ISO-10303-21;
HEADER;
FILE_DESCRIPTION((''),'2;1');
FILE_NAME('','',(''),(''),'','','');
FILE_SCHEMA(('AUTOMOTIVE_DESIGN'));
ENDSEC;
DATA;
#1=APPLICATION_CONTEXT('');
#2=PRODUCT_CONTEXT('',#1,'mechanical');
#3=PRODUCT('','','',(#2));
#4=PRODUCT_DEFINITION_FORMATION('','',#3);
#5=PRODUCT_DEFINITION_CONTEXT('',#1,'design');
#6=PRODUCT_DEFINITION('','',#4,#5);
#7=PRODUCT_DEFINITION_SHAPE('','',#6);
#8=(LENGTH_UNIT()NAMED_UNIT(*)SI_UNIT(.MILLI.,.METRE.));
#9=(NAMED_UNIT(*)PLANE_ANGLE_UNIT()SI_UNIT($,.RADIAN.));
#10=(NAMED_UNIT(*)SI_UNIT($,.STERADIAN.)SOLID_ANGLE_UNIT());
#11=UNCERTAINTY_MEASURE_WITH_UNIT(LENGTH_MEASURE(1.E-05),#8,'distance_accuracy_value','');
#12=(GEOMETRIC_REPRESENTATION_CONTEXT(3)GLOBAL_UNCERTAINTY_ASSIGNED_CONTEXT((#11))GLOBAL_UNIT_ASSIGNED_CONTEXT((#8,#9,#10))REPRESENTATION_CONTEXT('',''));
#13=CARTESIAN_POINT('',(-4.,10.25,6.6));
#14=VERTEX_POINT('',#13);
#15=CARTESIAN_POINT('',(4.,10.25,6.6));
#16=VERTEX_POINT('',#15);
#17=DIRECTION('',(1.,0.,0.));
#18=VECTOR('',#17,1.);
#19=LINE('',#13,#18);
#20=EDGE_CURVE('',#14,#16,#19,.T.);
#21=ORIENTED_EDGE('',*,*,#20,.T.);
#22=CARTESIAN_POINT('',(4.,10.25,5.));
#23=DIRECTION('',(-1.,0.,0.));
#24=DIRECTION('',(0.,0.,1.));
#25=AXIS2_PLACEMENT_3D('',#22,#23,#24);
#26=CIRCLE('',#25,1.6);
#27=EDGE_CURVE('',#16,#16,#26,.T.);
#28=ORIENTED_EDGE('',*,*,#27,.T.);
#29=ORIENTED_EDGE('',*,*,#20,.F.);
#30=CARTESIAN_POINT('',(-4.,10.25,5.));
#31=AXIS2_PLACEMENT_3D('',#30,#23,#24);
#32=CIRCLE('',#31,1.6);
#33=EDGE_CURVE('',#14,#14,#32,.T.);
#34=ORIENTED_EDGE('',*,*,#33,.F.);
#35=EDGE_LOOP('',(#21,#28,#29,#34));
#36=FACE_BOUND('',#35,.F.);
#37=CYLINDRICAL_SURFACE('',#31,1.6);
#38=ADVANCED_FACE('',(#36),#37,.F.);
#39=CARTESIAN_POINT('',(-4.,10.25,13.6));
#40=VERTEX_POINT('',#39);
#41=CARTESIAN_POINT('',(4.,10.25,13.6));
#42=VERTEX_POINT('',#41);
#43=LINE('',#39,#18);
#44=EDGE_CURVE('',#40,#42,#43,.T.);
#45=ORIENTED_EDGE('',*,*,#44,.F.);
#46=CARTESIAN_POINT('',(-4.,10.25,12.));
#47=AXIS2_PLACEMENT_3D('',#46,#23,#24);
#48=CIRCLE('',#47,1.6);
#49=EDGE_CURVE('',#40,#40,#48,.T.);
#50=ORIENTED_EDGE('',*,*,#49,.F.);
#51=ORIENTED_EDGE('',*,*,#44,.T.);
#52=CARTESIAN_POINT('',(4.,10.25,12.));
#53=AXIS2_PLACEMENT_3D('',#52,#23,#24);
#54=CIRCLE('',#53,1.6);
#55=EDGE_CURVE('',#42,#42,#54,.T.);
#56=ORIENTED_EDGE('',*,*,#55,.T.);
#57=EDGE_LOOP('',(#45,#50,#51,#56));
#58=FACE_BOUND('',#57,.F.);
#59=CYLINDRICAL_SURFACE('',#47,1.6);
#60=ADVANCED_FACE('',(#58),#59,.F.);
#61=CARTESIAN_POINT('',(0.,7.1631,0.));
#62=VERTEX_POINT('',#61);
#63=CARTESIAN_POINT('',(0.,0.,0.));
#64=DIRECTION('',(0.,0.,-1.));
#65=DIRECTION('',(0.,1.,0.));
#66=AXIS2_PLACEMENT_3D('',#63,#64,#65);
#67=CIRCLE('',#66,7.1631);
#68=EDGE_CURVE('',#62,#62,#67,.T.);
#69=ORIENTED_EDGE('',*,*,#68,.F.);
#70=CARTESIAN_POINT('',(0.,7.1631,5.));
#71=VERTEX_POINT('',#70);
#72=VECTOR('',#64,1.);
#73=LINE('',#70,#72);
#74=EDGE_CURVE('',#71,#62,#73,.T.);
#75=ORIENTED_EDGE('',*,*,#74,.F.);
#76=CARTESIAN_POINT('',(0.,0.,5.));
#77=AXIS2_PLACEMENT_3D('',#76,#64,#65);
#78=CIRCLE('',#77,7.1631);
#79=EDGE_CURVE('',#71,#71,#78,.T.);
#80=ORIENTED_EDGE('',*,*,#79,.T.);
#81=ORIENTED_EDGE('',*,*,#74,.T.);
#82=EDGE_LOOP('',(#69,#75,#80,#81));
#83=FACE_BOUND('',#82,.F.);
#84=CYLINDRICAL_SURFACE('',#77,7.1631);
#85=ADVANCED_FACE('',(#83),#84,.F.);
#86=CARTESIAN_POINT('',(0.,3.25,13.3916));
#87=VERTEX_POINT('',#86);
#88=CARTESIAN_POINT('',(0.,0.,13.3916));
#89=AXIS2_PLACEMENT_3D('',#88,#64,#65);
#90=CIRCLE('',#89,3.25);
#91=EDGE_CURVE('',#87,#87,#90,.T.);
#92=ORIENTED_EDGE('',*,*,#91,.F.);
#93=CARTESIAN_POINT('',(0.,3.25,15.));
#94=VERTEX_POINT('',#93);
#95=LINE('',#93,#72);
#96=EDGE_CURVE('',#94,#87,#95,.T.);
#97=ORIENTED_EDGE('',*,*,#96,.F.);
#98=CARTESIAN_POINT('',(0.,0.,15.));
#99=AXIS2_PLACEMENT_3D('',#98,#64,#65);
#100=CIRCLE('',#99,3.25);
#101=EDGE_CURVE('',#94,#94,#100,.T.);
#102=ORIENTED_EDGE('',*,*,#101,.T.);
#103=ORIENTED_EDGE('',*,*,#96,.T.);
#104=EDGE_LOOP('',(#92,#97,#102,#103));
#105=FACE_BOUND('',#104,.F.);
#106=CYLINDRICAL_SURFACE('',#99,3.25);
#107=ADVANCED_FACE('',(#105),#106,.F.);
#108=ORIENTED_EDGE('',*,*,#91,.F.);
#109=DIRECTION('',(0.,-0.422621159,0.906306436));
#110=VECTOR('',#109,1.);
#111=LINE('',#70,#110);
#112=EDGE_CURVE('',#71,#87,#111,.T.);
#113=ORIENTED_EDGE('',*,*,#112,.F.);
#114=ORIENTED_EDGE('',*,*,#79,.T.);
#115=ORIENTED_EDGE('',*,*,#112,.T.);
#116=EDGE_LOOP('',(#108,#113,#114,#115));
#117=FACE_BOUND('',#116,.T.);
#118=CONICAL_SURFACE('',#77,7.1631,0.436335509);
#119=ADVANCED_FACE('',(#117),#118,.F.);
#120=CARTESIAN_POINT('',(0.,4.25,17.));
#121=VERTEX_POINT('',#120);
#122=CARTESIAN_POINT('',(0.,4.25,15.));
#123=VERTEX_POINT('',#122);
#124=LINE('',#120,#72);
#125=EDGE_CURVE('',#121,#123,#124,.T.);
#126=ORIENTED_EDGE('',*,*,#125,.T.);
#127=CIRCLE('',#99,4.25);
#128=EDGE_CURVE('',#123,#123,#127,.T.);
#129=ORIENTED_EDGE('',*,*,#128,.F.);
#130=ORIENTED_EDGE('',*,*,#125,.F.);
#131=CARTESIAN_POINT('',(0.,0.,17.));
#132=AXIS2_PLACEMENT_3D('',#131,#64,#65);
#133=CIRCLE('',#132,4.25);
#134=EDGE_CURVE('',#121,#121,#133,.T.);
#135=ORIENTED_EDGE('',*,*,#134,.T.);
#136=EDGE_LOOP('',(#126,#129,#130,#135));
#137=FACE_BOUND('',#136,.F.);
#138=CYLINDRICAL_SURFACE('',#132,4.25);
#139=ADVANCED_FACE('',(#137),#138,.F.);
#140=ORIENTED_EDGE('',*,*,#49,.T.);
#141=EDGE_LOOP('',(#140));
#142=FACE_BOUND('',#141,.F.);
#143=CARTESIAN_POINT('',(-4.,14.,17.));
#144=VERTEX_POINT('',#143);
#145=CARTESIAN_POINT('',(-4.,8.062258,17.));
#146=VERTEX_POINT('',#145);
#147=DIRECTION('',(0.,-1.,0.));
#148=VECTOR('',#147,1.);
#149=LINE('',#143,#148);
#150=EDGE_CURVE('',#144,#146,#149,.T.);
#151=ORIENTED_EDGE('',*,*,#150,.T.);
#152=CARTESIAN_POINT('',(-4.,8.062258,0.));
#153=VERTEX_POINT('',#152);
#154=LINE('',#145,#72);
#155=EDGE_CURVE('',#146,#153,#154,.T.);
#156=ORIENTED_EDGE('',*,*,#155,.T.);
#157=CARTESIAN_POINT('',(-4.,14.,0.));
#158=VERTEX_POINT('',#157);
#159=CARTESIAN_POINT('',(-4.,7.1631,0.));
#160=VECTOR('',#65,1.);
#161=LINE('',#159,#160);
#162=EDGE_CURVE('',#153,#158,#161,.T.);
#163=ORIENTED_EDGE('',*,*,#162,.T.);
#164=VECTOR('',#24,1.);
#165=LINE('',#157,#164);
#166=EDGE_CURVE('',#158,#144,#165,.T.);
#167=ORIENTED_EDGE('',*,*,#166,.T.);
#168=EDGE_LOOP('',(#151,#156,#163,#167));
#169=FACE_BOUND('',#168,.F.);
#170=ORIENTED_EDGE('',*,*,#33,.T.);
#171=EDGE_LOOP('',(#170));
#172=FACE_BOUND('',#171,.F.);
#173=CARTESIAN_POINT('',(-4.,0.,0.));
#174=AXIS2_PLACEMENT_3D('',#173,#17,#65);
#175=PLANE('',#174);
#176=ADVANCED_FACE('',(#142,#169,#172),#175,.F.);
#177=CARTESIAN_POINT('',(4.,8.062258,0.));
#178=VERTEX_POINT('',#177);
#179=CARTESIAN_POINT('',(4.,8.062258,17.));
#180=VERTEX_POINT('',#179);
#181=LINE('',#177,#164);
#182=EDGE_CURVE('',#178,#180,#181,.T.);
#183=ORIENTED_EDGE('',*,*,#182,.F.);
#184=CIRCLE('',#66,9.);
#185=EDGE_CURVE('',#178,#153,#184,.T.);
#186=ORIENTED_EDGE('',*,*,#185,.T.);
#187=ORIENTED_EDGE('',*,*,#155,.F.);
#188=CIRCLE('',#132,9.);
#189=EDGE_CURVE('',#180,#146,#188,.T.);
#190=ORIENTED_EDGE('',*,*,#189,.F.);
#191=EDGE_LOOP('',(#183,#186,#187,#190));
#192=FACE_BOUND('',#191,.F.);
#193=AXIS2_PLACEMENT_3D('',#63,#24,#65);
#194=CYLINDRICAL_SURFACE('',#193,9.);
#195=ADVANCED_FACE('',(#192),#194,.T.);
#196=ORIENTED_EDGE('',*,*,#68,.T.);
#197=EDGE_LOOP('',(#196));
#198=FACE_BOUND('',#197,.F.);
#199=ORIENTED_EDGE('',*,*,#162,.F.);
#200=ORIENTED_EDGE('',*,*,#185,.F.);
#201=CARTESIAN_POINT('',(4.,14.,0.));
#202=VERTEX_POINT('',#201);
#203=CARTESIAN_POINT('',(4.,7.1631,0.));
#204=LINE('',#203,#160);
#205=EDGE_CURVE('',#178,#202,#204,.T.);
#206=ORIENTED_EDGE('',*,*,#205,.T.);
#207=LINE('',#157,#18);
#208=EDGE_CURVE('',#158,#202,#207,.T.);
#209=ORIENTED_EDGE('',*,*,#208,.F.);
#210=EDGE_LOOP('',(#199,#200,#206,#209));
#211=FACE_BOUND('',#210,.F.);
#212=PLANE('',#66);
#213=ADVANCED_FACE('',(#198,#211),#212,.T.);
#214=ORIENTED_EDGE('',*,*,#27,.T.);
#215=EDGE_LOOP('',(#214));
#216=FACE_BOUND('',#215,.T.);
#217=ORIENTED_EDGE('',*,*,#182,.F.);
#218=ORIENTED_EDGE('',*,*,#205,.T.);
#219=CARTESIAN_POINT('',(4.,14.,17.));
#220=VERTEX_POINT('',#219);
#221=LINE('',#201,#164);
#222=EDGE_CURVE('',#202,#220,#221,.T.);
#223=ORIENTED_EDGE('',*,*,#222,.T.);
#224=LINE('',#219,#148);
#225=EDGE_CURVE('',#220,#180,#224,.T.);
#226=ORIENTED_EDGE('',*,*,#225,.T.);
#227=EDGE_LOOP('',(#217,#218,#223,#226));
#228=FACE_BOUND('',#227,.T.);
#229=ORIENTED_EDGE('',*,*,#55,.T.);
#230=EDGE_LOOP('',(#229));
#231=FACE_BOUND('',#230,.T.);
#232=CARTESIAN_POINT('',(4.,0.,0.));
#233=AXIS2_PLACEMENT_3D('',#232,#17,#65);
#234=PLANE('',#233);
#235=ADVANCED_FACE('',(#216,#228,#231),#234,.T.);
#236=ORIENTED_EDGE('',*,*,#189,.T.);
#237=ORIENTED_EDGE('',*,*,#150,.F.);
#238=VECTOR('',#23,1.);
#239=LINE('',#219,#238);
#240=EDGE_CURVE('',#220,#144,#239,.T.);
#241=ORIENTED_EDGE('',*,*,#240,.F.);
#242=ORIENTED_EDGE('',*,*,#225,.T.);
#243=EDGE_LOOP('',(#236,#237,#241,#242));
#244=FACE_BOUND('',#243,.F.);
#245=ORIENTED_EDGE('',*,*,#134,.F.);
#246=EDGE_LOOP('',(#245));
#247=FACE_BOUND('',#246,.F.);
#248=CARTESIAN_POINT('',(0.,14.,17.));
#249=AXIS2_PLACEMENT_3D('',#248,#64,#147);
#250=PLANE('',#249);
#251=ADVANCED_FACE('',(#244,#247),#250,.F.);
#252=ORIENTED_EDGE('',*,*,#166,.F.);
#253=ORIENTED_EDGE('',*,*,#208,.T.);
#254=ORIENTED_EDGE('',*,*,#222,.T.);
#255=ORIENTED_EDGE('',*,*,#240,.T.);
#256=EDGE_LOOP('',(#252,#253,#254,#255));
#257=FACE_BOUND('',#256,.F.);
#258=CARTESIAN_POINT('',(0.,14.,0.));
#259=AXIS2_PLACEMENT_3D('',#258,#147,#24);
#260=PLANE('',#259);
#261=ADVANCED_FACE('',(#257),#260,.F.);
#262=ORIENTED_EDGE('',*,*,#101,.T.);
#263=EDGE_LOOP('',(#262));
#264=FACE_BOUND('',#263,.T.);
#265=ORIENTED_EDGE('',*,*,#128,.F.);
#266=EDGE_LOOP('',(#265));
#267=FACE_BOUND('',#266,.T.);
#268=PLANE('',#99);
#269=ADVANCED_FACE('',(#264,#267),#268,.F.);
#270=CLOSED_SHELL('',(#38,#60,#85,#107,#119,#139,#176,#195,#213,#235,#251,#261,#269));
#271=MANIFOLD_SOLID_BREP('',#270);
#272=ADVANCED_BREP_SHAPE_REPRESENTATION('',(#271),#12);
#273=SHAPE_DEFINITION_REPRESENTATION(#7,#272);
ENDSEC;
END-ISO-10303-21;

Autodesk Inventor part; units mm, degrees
ref_plane "YZ Plane" through (0, 0, 0) normal (1, 0, 0) x (0, 1, 0)
ref_plane "XZ Plane" through (0, 0, 0) normal (0, 1, 0) x (-1, 0, 0)
ref_plane "XY Plane" through (0, 0, 0) normal (0, 0, 1) x (1, 0, 0)
sketch "Sketch1" plane through (0, 0, 0) normal (1, 0, 0) x (0, 1, 0)
  line L0 (0, 15) -> (2.5, 15) construction
  line L1 (0, 0) -> (9.4946, 0) construction
  arc A0 (9.4946, 0) -> (2.5, 15) centre (-10.0865, 0) ccw construction
  line L2 (0, 9.5) -> (0, 0) construction
  line L3 (9.4946, 0) -> (9, 0) construction
  line L4 (9, 0) -> (9, 15)
  line L5 (9, 15) -> (9, 15)
  line L6 (9, 15) -> (9, 17)
  line L7 (9, 17) -> (4.25, 17)
  line L8 (4.25, 17) -> (4.25, 15)
  line L9 (2.5, 15) -> (4.25, 15) construction
  line L10 (2.5, 15) -> (9.4946, 0) construction
  line L11 (3.25, 15) -> (3.25, 13.3916)
  line L12 (3.25, 15) -> (4.25, 15)
  line L13 (7.1631, 5) -> (7.1631, 0)
  line L14 (7.1631, 0) -> (9, 0)
  line L15 (7.1631, 5) -> (3.25, 13.3916)
  point P0 (2.25, 0)
  dimension "d2" = 15
  dimension "d12" = 2
  dimension "d14" = 0
  dimension "d16" = 2
  dimension "d17" = 4.25
  dimension "d35" = 115
  dimension "d36" = 9
  dimension "d37" = 2.5
  dimension "d39" = 1
  dimension "d40" = 5
  dimension "d41" = 7.1631
  dimension "d42" = 3.25
  dimension "d43" = 1.6084
  dimension "d44" = 8.3916
revolve "Revolution1" add sketch "Sketch1" angle 360 about axis through (0, 0, 9.5) along (0, 0, -1)
sketch "Sketch3" plane through (0, 0, 0) normal (1, 0, 0) x (0, 1, 0)
  line L0 (7.1631, 0) -> (14, 0)
  line L1 (14, 0) -> (14, 17)
  line L2 (14, 17) -> (7.1631, 17)
  line L3 (7.1631, 17) -> (7.1631, 0)
  line L4 (-7.1631, 0) -> (7.1631, 0) construction
  line L5 (-9, 17) -> (9, 17) construction
  point P0 (0, 0)
  dimension "d28" = 14
extrude "Extrusion1" add sketch "Sketch3" along normal mid plane 8
sketch "Sketch4" plane through (-4, 0, 0) normal (-1, 0, 0) x (0, 0, 1)
  circle A0 centre (5, 10.25) radius 1.6
  circle A1 centre (12, 10.25) radius 1.6
  line L0 (5, 10.25) -> (12, 10.25) construction
  line L1 (17, 14) -> (0, 14) construction
  point P0 (0, 0)
  point P1 (17, 10.25)
  point P2 (8.5, 10.25)
  point P3 (8.5, 14)
  dimension "d29" = 3.2
  dimension "d30" = 3.2
  dimension "d31" = 7
  dimension "d34" = 3.75
extrude "Extrusion2" cut sketch "Sketch4" against normal blind 10
properties part number "brush holder"
